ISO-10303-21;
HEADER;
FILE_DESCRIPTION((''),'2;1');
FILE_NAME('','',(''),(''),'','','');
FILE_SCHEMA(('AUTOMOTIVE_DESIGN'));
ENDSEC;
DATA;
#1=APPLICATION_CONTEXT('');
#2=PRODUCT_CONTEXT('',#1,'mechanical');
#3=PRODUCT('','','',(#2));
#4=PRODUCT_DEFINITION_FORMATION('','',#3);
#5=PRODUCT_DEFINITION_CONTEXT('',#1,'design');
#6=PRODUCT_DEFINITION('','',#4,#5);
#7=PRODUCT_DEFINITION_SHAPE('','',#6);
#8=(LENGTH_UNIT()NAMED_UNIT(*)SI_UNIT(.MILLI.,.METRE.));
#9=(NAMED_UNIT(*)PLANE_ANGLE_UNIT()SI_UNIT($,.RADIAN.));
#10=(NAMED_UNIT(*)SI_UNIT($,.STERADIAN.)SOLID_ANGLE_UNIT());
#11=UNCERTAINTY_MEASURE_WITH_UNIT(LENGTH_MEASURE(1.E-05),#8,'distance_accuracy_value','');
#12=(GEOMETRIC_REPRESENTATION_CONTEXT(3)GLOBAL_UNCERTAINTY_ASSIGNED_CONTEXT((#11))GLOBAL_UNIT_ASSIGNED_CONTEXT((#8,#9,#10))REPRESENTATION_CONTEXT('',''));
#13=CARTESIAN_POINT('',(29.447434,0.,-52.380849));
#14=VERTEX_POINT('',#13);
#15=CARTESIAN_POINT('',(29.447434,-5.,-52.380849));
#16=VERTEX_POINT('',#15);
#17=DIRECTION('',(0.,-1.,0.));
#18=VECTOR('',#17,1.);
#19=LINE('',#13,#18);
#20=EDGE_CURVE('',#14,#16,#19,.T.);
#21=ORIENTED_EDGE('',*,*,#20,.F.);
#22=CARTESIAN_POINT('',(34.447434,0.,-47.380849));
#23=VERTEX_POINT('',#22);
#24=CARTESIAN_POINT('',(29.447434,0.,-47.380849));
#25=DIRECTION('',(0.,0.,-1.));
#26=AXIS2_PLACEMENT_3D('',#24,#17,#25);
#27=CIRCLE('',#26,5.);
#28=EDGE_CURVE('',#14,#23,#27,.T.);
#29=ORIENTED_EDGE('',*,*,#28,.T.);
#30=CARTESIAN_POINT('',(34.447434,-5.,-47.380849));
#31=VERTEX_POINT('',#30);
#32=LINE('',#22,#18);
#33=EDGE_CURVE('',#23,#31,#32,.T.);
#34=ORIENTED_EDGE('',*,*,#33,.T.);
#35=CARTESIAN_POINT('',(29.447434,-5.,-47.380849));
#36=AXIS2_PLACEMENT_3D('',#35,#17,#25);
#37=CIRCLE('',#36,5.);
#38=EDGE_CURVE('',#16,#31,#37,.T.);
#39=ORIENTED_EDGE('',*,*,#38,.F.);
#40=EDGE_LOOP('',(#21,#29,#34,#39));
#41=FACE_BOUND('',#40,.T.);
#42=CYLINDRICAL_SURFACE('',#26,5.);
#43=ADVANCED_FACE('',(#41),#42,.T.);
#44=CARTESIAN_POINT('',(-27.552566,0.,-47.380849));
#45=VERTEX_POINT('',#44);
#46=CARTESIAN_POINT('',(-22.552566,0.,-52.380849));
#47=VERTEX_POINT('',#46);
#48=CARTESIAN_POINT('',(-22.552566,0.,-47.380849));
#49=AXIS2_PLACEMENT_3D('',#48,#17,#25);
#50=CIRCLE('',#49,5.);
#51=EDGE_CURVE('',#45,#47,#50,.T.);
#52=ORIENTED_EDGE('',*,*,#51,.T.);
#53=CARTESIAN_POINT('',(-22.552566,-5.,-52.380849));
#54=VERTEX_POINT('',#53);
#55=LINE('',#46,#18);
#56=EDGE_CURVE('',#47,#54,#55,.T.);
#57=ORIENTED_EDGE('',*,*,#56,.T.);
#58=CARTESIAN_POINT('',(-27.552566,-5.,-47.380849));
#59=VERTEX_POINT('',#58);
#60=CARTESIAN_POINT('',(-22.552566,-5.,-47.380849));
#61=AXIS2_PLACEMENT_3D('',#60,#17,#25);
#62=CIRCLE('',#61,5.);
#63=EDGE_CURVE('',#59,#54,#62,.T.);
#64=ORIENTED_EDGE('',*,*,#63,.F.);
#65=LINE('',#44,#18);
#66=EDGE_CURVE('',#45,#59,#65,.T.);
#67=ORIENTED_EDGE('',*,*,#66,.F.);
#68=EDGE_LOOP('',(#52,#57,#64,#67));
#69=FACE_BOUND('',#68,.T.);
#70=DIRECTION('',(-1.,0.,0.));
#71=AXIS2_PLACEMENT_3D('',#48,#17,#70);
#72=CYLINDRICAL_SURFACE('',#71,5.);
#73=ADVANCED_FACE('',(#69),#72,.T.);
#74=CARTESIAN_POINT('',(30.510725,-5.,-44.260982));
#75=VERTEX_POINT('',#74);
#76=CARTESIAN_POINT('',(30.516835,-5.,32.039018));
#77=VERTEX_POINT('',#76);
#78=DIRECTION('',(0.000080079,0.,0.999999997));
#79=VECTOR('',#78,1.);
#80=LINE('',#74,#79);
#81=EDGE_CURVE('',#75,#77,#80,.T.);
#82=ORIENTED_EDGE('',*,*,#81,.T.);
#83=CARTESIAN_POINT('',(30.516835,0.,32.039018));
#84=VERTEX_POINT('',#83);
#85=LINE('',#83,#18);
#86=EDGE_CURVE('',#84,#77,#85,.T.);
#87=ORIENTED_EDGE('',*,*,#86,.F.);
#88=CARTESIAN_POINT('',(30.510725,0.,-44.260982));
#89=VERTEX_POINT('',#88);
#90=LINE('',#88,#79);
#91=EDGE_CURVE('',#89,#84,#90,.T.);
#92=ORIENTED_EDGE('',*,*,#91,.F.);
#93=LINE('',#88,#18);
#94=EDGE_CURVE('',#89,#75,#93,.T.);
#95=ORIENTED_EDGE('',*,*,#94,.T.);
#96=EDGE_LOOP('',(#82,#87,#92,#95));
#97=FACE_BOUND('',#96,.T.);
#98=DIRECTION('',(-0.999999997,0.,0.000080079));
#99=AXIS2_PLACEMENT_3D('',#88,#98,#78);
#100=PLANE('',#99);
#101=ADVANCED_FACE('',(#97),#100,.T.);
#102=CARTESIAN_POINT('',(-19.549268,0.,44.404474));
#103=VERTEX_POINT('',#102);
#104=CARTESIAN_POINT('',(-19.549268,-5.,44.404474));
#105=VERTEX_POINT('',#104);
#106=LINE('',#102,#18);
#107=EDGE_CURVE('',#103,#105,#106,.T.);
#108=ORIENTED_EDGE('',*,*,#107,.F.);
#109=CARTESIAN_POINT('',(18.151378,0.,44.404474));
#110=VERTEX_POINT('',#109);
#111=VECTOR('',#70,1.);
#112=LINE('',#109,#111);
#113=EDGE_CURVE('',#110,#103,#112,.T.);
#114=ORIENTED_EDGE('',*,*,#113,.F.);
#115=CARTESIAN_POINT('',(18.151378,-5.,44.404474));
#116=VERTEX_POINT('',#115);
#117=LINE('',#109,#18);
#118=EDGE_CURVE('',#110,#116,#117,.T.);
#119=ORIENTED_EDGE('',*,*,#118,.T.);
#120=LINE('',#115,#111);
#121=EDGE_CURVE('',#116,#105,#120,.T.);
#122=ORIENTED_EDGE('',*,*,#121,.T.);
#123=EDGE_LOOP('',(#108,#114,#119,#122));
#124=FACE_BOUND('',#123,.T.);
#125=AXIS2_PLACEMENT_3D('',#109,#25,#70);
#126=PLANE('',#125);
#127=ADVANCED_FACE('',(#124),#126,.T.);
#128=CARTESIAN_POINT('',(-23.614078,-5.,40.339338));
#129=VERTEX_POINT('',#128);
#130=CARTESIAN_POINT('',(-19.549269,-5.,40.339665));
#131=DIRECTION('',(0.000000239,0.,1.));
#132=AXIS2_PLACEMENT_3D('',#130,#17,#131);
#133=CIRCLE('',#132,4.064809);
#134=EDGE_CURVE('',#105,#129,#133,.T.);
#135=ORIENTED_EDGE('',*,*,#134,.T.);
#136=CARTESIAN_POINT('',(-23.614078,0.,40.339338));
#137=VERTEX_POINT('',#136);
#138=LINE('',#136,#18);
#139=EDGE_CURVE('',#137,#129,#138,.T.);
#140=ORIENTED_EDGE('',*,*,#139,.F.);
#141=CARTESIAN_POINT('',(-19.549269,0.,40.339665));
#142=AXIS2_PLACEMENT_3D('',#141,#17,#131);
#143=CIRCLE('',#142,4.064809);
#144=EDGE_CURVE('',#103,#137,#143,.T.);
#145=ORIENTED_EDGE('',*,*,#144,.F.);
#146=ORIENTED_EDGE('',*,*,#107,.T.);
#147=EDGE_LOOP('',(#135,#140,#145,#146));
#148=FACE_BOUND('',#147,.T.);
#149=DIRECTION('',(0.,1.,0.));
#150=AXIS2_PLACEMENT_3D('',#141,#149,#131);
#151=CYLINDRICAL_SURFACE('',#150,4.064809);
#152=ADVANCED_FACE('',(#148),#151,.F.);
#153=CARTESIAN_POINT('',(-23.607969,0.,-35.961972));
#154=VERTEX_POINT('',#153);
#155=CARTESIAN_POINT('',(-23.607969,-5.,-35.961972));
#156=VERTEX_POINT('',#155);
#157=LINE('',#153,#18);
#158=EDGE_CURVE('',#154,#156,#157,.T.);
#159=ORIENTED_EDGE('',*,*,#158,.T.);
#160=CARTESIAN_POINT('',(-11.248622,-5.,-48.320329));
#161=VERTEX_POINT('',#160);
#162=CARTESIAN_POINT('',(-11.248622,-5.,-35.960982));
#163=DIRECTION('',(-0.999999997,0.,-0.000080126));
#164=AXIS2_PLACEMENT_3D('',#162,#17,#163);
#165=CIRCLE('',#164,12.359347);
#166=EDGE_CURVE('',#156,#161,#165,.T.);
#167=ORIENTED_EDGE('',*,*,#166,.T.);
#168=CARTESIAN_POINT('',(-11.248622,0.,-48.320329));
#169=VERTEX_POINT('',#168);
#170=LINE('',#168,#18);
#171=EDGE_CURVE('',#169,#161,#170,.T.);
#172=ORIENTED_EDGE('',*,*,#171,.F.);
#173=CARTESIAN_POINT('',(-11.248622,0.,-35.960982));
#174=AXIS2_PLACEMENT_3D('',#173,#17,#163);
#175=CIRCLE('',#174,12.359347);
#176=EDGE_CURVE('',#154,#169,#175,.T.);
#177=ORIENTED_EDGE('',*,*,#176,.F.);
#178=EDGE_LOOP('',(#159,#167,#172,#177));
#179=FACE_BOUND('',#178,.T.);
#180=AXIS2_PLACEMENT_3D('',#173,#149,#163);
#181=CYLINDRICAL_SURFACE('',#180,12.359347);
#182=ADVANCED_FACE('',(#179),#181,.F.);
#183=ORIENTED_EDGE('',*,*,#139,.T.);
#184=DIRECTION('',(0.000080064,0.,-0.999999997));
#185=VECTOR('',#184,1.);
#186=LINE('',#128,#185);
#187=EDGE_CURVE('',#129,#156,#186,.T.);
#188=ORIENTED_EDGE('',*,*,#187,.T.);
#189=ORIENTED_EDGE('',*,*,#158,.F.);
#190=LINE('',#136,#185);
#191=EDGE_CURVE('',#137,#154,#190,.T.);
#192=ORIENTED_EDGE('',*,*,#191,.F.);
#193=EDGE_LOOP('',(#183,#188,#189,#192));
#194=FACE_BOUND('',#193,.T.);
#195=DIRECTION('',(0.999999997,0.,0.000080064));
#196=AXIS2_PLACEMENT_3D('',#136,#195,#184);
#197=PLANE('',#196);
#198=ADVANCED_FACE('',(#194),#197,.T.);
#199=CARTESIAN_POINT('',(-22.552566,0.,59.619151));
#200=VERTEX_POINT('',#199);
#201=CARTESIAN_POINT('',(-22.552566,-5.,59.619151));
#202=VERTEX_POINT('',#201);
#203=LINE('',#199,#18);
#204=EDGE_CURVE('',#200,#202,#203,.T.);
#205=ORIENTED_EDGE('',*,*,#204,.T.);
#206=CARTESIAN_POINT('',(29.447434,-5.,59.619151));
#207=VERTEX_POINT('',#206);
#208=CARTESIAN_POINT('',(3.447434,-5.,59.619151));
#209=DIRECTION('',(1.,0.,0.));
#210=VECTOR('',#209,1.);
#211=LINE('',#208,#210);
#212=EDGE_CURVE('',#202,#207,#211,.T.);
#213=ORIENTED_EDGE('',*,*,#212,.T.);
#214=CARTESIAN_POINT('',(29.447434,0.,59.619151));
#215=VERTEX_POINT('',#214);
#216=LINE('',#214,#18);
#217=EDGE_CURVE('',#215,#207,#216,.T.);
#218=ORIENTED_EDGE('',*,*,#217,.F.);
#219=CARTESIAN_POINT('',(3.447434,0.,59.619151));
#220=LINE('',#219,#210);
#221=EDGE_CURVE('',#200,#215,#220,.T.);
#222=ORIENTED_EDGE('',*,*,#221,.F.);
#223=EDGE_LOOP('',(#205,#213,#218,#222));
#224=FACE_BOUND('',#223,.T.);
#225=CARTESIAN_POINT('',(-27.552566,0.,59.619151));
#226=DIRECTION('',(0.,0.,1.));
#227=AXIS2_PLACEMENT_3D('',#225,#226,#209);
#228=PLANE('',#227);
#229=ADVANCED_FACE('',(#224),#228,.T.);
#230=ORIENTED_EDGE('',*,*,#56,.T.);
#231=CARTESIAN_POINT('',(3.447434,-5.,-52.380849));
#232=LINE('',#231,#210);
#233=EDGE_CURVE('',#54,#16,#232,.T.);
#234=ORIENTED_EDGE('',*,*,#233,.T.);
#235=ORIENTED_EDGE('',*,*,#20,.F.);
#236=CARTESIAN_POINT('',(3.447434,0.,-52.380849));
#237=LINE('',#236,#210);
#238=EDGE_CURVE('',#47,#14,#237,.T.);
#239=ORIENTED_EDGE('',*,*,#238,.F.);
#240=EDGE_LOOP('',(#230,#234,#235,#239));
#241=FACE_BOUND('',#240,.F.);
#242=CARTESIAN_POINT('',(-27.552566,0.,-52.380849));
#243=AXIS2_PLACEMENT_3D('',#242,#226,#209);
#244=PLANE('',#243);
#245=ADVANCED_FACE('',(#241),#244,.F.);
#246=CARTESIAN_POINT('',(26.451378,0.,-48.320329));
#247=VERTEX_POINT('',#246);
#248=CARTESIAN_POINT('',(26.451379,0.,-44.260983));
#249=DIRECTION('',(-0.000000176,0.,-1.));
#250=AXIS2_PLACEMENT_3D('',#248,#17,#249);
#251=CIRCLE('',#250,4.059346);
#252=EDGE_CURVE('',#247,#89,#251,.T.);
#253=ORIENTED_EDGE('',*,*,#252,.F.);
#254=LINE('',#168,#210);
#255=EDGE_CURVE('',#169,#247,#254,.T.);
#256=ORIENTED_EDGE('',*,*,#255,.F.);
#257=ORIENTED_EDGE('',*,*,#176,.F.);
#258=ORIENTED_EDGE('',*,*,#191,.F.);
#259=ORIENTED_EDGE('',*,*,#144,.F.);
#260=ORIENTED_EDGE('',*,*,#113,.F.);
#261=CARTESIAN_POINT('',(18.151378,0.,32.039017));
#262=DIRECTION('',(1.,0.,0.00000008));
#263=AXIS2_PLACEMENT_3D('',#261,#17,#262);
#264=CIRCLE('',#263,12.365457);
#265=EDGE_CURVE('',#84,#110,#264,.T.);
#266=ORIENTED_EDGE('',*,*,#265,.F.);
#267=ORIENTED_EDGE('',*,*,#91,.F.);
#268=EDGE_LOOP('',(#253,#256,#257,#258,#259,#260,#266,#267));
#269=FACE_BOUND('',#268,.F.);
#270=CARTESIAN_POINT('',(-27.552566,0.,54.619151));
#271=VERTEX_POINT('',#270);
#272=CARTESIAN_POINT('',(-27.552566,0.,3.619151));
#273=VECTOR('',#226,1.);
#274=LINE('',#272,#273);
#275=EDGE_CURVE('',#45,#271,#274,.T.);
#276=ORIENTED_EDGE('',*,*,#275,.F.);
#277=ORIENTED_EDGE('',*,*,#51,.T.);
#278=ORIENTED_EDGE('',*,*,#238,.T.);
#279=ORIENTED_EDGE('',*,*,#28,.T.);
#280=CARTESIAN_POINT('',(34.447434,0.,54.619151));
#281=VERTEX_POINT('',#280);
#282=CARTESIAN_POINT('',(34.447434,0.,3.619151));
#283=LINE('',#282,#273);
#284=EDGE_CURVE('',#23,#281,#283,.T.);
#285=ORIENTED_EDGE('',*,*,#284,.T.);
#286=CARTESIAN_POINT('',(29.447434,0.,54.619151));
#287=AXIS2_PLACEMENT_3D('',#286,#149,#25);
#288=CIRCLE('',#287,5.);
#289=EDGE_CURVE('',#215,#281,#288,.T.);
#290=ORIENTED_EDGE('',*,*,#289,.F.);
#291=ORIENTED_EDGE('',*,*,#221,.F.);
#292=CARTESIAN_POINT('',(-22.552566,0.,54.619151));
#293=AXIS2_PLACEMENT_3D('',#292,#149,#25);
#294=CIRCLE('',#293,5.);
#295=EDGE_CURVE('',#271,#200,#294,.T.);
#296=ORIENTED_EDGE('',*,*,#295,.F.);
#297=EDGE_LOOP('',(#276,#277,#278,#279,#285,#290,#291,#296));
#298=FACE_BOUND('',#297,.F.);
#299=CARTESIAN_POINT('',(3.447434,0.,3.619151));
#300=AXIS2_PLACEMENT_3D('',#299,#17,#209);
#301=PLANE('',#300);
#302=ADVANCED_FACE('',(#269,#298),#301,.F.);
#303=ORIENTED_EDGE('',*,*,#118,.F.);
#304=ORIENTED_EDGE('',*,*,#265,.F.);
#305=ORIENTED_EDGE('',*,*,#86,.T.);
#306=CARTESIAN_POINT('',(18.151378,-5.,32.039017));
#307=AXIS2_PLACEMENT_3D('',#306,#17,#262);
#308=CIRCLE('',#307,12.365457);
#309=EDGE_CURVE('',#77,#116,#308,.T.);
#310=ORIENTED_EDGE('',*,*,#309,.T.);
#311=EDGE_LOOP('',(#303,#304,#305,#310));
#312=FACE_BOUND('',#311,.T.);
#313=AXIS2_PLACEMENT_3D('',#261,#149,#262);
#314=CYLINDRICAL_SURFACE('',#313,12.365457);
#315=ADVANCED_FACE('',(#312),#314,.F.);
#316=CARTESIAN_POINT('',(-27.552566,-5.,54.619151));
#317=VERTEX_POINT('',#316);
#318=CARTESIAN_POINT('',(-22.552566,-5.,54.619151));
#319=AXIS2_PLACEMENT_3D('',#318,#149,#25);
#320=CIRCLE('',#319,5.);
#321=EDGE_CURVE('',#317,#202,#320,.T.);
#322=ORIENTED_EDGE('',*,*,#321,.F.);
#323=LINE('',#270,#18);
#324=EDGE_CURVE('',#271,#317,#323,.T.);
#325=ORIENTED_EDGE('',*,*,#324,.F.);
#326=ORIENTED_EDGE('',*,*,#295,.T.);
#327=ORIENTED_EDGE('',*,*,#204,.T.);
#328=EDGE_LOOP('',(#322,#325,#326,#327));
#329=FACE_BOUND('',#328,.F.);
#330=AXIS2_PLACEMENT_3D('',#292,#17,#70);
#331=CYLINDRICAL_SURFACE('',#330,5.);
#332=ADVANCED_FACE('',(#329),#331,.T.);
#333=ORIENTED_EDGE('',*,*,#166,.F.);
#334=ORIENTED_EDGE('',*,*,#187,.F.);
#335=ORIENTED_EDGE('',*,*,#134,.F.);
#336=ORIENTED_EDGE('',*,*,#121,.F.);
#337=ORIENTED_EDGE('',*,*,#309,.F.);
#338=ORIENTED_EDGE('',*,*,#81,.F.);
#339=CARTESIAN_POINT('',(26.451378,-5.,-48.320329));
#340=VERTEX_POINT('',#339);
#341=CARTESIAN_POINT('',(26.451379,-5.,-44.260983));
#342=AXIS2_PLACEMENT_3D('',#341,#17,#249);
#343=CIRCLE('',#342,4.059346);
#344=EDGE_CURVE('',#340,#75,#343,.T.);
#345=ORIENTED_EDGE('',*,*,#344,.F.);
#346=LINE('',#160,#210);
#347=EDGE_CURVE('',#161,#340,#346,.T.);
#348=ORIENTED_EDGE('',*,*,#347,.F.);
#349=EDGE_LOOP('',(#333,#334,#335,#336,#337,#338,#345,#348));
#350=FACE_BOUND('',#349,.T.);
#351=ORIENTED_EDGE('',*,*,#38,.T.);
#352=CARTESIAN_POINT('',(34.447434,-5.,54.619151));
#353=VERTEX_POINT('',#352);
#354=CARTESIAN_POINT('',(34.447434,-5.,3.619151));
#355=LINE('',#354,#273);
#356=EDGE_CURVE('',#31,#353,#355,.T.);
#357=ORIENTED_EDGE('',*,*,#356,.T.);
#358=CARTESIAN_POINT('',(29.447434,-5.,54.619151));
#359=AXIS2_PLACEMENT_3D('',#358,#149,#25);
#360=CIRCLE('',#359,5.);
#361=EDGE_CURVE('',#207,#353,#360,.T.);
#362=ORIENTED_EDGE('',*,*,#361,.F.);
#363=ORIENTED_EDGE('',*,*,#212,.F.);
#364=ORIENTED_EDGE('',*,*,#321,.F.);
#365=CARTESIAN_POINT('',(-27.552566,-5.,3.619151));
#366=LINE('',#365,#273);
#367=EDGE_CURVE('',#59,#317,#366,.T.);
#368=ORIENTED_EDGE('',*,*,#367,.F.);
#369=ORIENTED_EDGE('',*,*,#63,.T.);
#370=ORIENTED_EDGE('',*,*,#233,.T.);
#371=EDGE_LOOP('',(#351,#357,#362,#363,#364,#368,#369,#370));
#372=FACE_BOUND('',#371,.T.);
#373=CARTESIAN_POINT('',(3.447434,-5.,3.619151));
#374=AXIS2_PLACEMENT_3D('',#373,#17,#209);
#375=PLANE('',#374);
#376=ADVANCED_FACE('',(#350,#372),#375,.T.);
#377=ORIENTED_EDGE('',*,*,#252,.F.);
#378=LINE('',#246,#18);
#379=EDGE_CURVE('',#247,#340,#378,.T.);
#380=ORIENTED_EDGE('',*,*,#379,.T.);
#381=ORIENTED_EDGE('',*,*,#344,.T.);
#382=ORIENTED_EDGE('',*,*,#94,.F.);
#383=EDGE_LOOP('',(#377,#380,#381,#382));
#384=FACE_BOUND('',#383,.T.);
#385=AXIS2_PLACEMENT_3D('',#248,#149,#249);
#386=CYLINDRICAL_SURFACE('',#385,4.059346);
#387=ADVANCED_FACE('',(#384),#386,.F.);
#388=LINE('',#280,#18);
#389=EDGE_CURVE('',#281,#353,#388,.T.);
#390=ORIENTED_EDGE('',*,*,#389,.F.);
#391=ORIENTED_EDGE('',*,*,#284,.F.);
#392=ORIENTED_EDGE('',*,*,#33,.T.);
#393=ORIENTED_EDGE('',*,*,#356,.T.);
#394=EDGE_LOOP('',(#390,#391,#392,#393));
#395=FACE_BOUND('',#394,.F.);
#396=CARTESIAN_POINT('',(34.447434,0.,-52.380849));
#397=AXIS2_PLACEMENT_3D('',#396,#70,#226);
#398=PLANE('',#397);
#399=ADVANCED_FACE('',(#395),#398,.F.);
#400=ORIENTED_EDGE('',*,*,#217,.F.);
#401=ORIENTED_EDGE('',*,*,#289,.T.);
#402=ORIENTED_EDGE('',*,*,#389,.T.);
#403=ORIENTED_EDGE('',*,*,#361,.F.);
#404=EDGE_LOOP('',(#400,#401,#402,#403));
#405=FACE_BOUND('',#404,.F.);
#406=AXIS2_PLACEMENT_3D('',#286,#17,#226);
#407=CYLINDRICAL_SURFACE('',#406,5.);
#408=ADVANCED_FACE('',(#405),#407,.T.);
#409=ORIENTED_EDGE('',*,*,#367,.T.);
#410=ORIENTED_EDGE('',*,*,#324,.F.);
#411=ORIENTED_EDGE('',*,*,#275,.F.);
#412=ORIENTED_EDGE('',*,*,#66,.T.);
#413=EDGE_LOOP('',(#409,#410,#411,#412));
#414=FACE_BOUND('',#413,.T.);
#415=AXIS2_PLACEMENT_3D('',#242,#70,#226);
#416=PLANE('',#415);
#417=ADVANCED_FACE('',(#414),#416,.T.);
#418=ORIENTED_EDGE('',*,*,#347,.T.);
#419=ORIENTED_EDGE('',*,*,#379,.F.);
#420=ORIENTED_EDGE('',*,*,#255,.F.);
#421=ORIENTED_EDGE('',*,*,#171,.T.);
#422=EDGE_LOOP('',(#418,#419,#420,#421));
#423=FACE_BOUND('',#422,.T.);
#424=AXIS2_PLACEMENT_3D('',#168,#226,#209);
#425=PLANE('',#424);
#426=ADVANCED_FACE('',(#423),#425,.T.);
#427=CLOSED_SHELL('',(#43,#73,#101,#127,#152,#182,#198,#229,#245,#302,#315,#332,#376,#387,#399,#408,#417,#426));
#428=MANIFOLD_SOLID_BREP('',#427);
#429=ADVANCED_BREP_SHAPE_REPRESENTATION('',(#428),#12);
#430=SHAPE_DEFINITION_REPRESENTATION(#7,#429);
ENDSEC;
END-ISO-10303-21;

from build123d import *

# Parameters (mm, degrees)
F1_W     = 62
F1_H     = 112
F2_DEPTH = 5
F4_DEPTH = 5
F5_R     = 5


with BuildPart() as f2:
    # F1 (on Front) → F2 (new body)
    with BuildSketch(Plane.XZ):
        with Locations((3.447434, 3.619151)):
            Rectangle(F1_W, F1_H)
    extrude(amount=F2_DEPTH)

    # F3 (on Front) → F4 (cut)
    with BuildSketch(Plane.XZ):
        with BuildLine():
            ThreePointArc((30.516835, 32.039018), (26.895076, 40.782716), (18.151378, 44.404474))
            Line((18.151378, 44.404474), (-19.549268, 44.404474))
            ThreePointArc((-19.549268, 44.404474), (-22.423638, 43.213804), (-23.614078, 40.339338))
            Line((-23.614078, 40.339338), (-23.607969, -35.961972))
            ThreePointArc((-23.607969, -35.961972), (-19.98765, -44.70071), (-11.248622, -48.320329))
            Line((-11.248622, -48.320329), (26.451378, -48.320329))
            ThreePointArc((26.451378, -48.320329), (29.32177, -47.131374), (30.510725, -44.260982))
            Line((30.510725, -44.260982), (30.516835, 32.039018))
        make_face()
    extrude(amount=F4_DEPTH, mode=Mode.SUBTRACT)

    # F5
    f5_edges = [f2.edges().sort_by_distance(p)[0] for p in [
        (-27.552566, -2.5, 59.619151),
        (-27.552566, -2.5, -52.380849),
        (34.447434, -2.5, -52.380849),
        (34.447434, -2.5, 59.619151),
    ]]
    fillet(f5_edges, radius=F5_R)


solid = f2.part
